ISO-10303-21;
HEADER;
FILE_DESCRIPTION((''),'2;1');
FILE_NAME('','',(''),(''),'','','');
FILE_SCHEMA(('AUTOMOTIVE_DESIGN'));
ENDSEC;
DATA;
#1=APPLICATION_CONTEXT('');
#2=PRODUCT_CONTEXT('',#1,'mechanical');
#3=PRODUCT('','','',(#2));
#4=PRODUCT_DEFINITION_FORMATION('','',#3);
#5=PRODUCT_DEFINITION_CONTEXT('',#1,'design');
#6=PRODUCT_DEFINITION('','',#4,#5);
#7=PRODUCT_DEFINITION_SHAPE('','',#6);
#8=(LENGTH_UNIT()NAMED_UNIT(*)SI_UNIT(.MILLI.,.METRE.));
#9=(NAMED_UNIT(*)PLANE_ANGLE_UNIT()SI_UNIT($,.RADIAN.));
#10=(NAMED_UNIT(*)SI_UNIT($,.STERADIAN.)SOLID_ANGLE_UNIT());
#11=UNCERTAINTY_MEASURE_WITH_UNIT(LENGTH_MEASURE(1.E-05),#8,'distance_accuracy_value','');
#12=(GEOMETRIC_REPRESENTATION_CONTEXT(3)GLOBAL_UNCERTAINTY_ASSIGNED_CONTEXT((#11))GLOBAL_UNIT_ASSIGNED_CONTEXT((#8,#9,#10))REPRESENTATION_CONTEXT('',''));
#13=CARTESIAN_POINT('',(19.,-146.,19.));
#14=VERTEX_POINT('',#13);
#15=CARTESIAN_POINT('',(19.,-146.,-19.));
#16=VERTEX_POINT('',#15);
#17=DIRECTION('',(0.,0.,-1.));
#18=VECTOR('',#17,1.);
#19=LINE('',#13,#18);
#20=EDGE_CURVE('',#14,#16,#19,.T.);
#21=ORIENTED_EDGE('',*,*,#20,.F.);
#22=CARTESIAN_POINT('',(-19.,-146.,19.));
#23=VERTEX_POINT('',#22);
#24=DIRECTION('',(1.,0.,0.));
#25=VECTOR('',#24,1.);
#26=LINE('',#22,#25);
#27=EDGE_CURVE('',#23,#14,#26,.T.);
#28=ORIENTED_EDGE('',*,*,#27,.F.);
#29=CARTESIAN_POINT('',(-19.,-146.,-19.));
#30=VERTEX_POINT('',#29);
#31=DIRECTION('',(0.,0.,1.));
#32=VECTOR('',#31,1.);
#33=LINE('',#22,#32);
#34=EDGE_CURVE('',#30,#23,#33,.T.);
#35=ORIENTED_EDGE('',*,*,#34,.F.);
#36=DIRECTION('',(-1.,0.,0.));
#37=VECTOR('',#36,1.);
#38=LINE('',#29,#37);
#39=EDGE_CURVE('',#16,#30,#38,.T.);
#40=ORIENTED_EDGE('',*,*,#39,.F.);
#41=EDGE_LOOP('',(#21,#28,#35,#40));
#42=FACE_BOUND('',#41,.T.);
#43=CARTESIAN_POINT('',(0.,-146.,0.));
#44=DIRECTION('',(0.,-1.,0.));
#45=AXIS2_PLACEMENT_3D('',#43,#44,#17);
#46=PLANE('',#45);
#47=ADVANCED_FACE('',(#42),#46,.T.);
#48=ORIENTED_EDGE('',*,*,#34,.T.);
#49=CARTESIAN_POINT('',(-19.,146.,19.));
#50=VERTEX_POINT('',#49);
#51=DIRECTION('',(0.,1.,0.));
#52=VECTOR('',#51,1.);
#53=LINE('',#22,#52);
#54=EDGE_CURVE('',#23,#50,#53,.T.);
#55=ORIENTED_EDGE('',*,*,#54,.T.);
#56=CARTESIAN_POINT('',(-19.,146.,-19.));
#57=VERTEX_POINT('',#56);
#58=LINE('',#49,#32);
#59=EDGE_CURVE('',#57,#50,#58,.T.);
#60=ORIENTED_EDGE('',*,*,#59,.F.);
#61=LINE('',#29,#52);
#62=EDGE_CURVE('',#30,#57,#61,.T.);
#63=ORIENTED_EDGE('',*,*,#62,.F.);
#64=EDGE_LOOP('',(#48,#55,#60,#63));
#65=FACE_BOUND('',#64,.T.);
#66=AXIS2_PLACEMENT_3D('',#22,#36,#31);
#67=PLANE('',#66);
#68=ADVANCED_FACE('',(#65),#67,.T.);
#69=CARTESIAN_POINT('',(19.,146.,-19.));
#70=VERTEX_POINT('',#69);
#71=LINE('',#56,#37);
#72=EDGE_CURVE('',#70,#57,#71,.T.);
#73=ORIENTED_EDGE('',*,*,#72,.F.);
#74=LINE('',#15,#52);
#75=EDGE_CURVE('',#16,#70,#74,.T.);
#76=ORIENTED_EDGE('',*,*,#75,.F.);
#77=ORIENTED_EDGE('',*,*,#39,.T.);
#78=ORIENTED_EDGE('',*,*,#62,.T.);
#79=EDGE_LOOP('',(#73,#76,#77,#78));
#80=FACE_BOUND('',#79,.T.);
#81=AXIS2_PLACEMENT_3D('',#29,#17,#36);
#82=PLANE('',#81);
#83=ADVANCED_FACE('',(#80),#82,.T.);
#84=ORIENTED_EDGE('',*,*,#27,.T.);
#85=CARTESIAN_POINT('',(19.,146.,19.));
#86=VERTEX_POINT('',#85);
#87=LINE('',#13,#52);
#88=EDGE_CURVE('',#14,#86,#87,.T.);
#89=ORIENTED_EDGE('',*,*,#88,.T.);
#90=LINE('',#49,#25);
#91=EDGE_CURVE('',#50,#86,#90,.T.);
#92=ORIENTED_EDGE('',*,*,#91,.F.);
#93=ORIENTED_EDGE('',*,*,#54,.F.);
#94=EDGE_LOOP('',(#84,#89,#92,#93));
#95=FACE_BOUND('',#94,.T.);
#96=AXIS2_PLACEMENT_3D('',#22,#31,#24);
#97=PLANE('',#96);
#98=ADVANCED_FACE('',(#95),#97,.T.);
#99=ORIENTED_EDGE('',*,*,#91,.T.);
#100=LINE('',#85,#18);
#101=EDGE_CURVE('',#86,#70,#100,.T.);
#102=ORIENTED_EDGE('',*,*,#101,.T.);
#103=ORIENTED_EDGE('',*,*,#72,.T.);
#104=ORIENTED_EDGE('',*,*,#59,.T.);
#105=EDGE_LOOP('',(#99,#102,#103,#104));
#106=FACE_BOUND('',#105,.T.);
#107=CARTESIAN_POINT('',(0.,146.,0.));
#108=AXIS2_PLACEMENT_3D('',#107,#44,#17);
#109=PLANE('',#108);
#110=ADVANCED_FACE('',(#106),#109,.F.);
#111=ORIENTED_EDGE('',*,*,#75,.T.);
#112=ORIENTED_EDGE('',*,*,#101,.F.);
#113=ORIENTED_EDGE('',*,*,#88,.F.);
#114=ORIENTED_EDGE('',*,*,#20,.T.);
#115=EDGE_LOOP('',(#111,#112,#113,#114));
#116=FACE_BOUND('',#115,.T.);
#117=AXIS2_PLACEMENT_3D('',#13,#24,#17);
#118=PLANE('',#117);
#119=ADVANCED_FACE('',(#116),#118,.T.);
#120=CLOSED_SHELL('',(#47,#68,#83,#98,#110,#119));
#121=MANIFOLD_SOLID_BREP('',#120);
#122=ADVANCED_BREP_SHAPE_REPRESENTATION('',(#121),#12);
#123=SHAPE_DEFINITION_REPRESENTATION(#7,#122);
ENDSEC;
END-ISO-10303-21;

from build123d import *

# Parameters (mm, degrees)
BOSS_EXTRUDE1_DEPTH      = 146
BOSS_EXTRUDE1_DEPTH_BACK = 146
SKETCH1_W                = 38
SKETCH1_H                = 38


with BuildPart() as part:
    # Sketch1 → Boss-Extrude1 (new, two sides: drawn at the far end of the back side and taken through both)
    with BuildSketch(Plane(origin=(0, 0, 0), x_dir=(1, 0, 0), z_dir=(0, 1, 0)).offset(-BOSS_EXTRUDE1_DEPTH_BACK)):
        Rectangle(SKETCH1_W, SKETCH1_H)
    extrude(amount=BOSS_EXTRUDE1_DEPTH + BOSS_EXTRUDE1_DEPTH_BACK)


solid = part.part
